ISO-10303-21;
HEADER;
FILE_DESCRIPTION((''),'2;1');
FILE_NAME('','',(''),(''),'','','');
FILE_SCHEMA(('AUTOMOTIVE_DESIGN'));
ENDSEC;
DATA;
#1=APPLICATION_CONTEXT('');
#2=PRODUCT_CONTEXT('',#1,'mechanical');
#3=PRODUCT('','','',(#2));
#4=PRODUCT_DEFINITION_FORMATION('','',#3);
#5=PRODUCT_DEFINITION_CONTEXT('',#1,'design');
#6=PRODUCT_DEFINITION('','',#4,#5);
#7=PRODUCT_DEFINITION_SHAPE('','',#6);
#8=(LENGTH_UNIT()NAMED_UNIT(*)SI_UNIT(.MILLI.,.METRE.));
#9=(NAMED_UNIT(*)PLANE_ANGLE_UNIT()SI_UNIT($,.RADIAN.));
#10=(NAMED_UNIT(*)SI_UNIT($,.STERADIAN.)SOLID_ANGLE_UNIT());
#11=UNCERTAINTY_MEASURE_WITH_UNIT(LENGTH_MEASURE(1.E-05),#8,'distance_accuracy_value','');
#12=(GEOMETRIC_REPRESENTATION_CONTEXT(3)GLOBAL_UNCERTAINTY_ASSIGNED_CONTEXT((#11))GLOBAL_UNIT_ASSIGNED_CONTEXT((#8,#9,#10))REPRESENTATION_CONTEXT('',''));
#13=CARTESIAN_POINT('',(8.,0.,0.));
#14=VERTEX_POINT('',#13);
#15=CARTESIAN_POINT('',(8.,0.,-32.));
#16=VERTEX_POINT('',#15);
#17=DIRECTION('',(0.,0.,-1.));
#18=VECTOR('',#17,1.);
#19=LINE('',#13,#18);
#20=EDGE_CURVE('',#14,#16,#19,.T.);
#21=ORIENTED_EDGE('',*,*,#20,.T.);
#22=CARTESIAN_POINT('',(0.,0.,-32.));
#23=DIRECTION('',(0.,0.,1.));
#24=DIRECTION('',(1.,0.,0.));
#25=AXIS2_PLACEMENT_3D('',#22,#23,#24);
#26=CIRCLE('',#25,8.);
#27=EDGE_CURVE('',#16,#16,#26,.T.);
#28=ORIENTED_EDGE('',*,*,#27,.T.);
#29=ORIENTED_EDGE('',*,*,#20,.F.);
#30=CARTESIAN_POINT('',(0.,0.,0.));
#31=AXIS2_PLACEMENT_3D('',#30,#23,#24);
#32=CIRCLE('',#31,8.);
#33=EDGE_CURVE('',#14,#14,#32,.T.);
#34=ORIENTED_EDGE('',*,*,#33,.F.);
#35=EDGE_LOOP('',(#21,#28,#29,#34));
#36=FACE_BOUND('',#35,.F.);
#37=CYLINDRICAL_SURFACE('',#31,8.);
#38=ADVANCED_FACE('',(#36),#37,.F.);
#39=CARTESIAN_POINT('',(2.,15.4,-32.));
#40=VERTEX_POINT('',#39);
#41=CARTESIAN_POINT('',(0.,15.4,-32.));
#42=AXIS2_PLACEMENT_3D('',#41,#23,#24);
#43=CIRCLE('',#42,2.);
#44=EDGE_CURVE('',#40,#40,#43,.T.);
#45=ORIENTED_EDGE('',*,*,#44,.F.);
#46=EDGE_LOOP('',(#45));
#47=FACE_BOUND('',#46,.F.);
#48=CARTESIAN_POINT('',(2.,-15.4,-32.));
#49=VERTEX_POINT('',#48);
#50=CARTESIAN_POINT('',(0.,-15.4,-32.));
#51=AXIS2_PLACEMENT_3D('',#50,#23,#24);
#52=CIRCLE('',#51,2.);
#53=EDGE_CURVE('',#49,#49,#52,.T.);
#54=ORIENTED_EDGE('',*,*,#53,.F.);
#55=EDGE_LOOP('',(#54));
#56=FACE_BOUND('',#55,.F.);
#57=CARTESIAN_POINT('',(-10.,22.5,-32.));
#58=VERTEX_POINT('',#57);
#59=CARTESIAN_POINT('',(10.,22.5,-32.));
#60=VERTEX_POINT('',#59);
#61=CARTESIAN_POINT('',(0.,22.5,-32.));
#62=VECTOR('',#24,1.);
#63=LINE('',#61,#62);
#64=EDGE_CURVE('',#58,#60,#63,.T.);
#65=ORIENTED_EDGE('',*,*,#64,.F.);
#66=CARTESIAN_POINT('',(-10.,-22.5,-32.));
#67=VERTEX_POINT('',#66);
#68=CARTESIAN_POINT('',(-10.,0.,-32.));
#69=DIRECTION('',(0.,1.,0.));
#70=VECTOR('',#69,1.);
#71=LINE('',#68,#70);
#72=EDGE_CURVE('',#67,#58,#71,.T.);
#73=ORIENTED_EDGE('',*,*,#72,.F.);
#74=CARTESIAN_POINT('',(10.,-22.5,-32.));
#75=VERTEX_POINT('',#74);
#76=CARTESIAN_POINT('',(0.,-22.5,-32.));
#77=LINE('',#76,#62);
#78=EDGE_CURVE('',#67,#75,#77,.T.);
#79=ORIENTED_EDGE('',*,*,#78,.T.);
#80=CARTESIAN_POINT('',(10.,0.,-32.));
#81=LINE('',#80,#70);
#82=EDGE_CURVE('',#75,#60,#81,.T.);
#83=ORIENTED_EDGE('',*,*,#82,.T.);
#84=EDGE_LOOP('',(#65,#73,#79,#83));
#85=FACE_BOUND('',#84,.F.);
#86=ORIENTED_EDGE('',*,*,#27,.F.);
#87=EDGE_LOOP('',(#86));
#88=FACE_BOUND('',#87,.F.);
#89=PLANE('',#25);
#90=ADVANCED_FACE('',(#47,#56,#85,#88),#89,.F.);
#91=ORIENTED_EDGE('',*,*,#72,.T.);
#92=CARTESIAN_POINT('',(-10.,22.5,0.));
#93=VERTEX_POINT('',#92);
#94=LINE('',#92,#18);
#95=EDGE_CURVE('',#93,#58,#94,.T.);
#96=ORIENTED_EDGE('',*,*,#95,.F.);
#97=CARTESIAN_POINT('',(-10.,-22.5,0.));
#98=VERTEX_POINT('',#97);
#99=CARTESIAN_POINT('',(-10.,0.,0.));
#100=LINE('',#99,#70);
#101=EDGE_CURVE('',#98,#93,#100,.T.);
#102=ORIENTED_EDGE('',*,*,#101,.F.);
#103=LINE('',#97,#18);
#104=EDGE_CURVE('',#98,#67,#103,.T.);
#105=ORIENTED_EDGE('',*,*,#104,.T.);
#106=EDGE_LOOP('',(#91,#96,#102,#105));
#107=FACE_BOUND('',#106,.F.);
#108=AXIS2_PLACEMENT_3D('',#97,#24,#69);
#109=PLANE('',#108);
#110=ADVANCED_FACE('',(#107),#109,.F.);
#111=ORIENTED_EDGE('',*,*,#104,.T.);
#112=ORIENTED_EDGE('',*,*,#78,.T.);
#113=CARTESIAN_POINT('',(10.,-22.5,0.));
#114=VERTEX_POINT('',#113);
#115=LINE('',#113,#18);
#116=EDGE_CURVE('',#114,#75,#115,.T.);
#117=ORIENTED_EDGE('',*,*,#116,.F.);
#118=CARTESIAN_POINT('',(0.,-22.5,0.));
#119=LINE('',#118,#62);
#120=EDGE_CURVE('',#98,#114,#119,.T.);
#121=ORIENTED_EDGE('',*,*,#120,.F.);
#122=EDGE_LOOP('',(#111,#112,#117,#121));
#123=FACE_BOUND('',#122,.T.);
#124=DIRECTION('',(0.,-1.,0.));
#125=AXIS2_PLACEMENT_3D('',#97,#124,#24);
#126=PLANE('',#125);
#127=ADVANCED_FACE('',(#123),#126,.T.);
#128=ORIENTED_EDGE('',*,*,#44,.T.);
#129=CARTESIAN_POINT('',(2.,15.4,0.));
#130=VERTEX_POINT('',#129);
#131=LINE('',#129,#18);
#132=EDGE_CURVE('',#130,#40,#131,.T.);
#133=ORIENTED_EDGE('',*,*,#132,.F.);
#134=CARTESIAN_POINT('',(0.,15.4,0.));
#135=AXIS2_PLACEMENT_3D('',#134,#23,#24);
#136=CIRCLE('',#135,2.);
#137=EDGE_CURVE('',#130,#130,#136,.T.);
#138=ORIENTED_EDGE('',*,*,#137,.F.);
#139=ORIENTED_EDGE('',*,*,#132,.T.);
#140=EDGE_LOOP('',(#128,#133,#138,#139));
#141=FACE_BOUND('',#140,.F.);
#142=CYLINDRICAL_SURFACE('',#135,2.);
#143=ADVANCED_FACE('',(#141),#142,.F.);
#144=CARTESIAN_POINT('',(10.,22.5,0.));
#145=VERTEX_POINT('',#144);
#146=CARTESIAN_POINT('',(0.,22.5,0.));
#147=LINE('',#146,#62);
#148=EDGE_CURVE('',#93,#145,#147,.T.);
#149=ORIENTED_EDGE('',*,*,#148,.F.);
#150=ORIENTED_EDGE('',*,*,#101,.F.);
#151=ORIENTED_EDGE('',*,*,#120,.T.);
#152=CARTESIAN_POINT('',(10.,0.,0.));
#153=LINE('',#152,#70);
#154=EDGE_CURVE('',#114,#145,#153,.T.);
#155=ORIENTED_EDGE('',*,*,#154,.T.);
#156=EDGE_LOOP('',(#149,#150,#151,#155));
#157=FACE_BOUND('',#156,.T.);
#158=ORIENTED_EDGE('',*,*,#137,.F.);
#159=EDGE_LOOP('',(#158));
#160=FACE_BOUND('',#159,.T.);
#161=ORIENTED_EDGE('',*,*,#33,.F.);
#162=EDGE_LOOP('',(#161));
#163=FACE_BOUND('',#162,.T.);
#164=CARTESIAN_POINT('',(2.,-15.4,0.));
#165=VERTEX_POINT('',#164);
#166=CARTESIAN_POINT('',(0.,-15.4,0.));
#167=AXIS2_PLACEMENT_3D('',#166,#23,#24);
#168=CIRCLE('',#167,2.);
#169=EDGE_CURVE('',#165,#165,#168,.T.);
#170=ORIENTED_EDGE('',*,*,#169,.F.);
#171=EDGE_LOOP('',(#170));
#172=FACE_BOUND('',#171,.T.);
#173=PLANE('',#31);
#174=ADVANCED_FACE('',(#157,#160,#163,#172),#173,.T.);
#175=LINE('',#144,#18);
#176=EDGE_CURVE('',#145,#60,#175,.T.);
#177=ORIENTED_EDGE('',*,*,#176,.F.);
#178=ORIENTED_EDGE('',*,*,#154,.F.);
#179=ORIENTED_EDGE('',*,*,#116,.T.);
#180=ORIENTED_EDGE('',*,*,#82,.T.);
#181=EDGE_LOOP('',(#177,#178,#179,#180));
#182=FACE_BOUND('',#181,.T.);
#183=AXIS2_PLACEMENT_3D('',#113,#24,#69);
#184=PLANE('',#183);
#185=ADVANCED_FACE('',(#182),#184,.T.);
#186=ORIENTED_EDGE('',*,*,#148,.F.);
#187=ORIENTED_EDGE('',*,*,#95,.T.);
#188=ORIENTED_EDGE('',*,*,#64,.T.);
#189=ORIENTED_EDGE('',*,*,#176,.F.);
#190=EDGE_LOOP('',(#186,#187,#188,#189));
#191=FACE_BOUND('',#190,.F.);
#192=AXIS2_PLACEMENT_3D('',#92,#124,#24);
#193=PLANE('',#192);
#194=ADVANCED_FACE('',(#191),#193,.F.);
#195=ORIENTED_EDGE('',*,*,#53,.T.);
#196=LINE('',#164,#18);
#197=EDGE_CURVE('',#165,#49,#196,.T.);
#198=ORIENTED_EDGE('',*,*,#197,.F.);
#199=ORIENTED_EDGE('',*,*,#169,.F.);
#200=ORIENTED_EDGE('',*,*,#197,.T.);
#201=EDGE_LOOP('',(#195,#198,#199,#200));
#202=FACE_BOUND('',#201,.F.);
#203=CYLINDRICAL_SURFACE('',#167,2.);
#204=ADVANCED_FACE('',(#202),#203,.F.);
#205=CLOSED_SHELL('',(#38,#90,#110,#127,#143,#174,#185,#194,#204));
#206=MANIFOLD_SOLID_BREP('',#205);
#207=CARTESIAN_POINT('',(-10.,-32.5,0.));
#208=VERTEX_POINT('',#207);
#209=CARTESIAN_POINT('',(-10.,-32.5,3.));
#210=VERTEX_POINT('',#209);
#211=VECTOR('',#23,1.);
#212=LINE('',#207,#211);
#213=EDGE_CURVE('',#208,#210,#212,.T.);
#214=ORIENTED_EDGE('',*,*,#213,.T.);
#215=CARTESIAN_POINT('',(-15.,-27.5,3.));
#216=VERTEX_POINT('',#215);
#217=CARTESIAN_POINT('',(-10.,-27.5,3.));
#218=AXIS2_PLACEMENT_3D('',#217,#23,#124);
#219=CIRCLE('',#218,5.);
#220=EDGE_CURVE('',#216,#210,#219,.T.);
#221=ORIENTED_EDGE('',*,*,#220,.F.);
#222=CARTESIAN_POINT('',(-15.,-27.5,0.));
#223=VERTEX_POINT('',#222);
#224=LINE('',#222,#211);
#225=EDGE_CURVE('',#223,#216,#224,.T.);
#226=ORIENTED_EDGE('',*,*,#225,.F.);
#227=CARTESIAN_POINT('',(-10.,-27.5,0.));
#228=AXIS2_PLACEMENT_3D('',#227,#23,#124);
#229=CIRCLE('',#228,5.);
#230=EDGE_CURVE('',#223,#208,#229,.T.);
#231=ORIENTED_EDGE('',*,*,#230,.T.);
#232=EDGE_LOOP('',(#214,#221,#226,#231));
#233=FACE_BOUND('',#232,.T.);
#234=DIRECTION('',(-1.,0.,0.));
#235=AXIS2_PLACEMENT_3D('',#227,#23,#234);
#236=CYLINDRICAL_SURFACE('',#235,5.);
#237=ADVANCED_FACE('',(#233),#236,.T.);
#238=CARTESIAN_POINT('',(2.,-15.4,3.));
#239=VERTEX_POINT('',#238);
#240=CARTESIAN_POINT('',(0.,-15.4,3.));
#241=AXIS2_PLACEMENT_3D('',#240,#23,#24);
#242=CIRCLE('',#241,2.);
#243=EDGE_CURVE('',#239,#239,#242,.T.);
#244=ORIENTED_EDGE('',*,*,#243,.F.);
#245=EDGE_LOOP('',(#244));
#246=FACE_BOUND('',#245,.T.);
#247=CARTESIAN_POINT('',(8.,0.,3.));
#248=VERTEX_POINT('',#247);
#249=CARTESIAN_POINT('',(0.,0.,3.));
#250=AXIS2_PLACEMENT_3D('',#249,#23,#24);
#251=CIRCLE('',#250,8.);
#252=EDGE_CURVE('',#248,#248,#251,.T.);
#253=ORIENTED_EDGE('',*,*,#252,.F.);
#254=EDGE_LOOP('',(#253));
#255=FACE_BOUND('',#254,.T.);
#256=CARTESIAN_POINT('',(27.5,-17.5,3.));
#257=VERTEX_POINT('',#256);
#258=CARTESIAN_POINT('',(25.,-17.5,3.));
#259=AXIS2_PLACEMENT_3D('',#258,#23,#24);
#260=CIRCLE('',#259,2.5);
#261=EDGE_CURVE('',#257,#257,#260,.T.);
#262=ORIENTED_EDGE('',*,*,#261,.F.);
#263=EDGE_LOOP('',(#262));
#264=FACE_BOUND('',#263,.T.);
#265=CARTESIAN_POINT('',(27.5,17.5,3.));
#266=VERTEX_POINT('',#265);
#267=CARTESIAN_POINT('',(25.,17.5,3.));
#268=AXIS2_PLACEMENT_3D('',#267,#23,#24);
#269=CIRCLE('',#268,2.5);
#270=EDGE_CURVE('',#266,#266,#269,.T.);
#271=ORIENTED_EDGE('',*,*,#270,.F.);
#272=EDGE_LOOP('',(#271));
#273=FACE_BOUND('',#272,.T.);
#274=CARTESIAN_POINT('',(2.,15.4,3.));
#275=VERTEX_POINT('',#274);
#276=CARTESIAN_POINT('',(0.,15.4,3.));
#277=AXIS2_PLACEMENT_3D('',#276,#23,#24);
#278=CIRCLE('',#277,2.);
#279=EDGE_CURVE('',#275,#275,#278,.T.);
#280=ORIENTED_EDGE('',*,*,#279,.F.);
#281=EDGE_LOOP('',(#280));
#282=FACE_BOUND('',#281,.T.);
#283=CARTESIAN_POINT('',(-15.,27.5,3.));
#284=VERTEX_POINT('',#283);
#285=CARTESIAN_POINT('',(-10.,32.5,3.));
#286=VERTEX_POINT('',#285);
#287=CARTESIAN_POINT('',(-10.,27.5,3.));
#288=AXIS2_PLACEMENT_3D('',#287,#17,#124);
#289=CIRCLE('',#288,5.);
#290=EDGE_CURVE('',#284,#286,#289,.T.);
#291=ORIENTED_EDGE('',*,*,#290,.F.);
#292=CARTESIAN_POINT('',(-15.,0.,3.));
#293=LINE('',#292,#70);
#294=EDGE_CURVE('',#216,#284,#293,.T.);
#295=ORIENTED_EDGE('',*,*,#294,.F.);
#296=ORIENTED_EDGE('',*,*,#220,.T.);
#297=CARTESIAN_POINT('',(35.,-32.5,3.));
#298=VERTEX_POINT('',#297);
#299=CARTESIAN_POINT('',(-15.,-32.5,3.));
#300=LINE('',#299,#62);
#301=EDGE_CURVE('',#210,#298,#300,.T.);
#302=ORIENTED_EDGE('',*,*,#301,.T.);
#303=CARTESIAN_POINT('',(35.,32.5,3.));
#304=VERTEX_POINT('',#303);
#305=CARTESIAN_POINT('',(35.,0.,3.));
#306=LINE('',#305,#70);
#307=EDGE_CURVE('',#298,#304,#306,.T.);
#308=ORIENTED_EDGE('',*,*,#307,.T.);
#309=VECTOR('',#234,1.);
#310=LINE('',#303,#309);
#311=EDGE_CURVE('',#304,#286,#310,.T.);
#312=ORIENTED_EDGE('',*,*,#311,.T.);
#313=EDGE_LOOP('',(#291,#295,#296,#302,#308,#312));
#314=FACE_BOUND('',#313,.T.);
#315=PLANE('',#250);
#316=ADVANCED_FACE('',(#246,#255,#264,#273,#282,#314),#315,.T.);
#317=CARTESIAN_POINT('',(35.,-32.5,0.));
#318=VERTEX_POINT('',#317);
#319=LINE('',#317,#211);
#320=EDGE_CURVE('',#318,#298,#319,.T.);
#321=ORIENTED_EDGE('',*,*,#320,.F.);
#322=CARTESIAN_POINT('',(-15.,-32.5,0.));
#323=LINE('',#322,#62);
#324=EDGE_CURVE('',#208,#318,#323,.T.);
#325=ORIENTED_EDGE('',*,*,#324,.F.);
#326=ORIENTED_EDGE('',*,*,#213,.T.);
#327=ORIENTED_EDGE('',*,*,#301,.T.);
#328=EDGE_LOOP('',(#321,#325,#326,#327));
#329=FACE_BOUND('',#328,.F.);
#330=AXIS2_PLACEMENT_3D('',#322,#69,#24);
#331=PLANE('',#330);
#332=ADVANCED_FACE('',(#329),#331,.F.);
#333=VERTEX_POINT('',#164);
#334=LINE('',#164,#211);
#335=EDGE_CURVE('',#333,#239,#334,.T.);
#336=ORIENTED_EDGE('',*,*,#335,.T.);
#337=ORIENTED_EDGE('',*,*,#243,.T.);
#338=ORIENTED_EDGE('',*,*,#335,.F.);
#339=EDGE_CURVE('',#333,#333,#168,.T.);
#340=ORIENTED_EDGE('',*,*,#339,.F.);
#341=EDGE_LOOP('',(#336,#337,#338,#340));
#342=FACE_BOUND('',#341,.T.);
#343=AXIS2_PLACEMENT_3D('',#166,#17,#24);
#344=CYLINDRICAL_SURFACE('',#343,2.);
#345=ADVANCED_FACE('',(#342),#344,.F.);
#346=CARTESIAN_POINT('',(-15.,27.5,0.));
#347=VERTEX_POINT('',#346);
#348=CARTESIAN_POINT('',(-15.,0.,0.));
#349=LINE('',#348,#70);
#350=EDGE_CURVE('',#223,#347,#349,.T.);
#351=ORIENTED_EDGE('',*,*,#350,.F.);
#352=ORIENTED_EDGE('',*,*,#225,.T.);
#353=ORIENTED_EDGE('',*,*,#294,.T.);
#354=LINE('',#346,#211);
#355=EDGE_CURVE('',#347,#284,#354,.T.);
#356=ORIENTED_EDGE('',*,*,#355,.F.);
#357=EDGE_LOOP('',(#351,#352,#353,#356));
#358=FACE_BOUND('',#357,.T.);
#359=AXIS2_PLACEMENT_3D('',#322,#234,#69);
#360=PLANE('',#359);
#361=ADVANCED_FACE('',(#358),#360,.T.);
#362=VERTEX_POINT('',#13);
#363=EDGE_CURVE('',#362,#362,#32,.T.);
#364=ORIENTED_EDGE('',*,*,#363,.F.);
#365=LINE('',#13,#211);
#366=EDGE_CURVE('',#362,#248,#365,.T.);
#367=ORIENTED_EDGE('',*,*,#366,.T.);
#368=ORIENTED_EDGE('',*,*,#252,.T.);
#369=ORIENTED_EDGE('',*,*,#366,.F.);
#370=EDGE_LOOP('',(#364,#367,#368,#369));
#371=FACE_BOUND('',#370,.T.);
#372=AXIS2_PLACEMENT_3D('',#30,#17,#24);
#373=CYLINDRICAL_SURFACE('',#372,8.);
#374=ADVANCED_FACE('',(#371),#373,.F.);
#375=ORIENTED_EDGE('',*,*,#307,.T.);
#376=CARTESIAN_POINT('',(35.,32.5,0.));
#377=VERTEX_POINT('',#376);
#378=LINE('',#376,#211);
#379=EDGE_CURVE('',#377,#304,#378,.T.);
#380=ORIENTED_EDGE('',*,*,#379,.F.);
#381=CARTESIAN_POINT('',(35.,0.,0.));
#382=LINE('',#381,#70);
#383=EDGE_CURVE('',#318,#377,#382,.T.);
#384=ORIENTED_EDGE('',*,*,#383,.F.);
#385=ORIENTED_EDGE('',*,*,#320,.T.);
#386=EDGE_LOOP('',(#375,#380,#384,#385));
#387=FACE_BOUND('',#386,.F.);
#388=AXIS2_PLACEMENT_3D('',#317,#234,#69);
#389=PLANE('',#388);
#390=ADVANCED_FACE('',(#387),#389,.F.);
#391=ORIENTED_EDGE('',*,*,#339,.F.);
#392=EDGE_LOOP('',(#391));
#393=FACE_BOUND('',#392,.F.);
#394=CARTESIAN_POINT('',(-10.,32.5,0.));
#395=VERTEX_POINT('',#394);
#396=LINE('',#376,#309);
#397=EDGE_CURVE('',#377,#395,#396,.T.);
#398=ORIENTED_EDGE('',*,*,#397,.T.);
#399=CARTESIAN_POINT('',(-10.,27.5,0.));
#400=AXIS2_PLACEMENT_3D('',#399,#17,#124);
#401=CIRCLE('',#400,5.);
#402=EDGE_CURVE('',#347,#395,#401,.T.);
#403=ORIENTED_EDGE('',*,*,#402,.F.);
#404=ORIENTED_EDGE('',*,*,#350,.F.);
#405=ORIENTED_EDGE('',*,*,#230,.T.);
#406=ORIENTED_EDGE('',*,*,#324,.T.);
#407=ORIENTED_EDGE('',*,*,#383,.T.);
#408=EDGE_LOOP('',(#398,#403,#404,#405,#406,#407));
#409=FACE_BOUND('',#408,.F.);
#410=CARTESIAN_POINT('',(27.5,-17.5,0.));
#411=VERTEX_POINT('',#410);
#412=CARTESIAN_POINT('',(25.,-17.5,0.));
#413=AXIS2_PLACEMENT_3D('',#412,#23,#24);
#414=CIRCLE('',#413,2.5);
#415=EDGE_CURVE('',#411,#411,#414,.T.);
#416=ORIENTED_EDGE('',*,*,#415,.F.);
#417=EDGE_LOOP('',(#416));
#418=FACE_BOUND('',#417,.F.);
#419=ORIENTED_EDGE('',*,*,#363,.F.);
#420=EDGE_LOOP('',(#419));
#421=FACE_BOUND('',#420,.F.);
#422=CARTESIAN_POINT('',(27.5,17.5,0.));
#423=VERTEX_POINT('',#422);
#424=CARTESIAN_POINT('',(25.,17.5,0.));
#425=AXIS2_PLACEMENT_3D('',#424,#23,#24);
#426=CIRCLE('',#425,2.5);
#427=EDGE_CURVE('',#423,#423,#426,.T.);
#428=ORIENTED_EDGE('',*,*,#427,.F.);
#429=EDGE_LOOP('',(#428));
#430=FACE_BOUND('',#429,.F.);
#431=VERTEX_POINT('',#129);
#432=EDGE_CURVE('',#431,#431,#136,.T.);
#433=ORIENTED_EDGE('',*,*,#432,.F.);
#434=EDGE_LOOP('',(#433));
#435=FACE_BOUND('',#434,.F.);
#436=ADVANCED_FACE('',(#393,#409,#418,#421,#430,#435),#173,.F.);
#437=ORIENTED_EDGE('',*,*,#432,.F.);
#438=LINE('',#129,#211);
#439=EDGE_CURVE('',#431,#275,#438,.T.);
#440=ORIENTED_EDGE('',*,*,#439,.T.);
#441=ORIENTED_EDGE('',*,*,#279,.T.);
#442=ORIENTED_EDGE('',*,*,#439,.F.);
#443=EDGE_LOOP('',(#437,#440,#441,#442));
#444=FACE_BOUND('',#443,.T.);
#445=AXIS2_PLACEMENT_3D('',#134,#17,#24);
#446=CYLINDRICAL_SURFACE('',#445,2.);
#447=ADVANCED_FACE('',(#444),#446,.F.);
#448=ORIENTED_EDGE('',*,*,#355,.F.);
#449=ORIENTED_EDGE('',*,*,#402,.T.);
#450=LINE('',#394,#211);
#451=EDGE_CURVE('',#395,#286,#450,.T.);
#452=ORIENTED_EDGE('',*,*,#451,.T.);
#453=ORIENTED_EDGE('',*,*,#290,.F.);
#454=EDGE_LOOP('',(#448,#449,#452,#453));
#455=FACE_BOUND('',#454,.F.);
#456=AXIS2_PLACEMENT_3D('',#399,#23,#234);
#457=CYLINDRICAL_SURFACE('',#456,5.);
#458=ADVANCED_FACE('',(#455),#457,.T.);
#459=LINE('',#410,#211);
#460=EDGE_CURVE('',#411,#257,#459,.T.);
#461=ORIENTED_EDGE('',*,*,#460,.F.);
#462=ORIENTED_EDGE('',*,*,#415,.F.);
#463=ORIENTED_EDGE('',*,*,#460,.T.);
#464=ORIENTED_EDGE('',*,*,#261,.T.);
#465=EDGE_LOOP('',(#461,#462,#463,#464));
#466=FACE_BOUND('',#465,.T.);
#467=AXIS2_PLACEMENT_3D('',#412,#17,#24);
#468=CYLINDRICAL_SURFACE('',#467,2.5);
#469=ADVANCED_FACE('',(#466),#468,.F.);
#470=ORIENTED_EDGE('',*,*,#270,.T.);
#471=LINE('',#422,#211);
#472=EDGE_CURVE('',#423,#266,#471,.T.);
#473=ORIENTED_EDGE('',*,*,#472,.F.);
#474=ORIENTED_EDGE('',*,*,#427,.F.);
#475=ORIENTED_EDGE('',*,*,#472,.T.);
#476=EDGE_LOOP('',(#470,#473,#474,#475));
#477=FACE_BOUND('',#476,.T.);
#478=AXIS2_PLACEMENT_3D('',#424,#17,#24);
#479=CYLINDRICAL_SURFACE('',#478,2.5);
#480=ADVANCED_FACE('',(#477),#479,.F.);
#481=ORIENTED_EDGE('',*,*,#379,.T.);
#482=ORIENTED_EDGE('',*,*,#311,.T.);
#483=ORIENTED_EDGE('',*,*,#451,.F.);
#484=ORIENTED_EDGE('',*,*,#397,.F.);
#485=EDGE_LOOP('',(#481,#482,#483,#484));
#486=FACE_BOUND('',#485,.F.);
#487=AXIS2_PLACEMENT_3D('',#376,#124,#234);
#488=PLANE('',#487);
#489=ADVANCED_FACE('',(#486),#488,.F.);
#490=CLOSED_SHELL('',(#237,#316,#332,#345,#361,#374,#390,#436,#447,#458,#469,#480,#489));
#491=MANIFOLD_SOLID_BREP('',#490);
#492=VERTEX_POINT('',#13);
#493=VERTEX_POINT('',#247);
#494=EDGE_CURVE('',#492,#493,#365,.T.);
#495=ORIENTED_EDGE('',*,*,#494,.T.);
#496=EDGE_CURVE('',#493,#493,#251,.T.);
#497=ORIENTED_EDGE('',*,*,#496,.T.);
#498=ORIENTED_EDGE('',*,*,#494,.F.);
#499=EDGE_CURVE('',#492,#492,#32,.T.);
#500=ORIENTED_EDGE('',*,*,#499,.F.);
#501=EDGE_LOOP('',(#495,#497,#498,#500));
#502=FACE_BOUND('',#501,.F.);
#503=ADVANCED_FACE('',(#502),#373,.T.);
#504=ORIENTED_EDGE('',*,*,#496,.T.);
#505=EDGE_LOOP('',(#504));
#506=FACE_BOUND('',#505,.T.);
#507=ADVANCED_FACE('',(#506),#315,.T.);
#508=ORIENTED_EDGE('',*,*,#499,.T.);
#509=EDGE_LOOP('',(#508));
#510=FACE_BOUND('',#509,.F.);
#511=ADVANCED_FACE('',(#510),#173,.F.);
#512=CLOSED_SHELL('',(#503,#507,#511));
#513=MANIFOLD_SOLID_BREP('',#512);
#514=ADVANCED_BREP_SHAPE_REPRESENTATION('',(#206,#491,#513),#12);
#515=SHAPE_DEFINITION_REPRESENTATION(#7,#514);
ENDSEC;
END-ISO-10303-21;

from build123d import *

# Parameters (mm, degrees)
F0_W     = 20
F0_H     = 45
F0_R     = 2
F0_R_2   = 8
F1_DEPTH = 32
F2_DEPTH = 3
F3_W     = 30
F3_H     = 65
F3_W_2   = 20
F3_H_2   = 45
F3_R     = 2.5
F4_DEPTH = 3
F5_R     = 5


with BuildPart() as f1:
    # F0 (on Top) → F1 (new body)
    with BuildSketch(Plane.XY):
        Rectangle(F0_W, F0_H)
        with Locations((0, -15.4)):
            Circle(F0_R, mode=Mode.SUBTRACT)
        Circle(F0_R_2, mode=Mode.SUBTRACT)
        with Locations((0, 15.4)):
            Circle(F0_R, mode=Mode.SUBTRACT)
    extrude(amount=-F1_DEPTH)


with BuildPart() as f2:
    # F0 (on Top) → F2 (new body)
    with BuildSketch(Plane.XY):
        Circle(F0_R_2)
    extrude(amount=F2_DEPTH)


with BuildPart() as f4:
    # F3 (on face) + F0 (on Top) → F4 (new body)
    with BuildSketch(Plane.XY):
        Rectangle(F3_W, F3_H)
        Rectangle(F3_W_2, F3_H_2, mode=Mode.SUBTRACT)
        with Locations((25, 0)):
            Rectangle(F3_W_2, F3_H)
        with Locations((25, -17.5)):
            Circle(F3_R, mode=Mode.SUBTRACT)
        with Locations((25, 17.5)):
            Circle(F3_R, mode=Mode.SUBTRACT)
    with BuildSketch(Plane.XY):
        Rectangle(F0_W, F0_H)
        with Locations((0, -15.4)):
            Circle(F0_R, mode=Mode.SUBTRACT)
        Circle(F0_R_2, mode=Mode.SUBTRACT)
        with Locations((0, 15.4)):
            Circle(F0_R, mode=Mode.SUBTRACT)
    extrude(amount=F4_DEPTH)

    # F5
    f5_edges = [f4.edges().sort_by_distance(p)[0] for p in [
        (-15, 32.5, 1.5),
        (-15, -32.5, 1.5),
    ]]
    fillet(f5_edges, radius=F5_R)


solid = Compound([f1.part, f2.part, f4.part])
